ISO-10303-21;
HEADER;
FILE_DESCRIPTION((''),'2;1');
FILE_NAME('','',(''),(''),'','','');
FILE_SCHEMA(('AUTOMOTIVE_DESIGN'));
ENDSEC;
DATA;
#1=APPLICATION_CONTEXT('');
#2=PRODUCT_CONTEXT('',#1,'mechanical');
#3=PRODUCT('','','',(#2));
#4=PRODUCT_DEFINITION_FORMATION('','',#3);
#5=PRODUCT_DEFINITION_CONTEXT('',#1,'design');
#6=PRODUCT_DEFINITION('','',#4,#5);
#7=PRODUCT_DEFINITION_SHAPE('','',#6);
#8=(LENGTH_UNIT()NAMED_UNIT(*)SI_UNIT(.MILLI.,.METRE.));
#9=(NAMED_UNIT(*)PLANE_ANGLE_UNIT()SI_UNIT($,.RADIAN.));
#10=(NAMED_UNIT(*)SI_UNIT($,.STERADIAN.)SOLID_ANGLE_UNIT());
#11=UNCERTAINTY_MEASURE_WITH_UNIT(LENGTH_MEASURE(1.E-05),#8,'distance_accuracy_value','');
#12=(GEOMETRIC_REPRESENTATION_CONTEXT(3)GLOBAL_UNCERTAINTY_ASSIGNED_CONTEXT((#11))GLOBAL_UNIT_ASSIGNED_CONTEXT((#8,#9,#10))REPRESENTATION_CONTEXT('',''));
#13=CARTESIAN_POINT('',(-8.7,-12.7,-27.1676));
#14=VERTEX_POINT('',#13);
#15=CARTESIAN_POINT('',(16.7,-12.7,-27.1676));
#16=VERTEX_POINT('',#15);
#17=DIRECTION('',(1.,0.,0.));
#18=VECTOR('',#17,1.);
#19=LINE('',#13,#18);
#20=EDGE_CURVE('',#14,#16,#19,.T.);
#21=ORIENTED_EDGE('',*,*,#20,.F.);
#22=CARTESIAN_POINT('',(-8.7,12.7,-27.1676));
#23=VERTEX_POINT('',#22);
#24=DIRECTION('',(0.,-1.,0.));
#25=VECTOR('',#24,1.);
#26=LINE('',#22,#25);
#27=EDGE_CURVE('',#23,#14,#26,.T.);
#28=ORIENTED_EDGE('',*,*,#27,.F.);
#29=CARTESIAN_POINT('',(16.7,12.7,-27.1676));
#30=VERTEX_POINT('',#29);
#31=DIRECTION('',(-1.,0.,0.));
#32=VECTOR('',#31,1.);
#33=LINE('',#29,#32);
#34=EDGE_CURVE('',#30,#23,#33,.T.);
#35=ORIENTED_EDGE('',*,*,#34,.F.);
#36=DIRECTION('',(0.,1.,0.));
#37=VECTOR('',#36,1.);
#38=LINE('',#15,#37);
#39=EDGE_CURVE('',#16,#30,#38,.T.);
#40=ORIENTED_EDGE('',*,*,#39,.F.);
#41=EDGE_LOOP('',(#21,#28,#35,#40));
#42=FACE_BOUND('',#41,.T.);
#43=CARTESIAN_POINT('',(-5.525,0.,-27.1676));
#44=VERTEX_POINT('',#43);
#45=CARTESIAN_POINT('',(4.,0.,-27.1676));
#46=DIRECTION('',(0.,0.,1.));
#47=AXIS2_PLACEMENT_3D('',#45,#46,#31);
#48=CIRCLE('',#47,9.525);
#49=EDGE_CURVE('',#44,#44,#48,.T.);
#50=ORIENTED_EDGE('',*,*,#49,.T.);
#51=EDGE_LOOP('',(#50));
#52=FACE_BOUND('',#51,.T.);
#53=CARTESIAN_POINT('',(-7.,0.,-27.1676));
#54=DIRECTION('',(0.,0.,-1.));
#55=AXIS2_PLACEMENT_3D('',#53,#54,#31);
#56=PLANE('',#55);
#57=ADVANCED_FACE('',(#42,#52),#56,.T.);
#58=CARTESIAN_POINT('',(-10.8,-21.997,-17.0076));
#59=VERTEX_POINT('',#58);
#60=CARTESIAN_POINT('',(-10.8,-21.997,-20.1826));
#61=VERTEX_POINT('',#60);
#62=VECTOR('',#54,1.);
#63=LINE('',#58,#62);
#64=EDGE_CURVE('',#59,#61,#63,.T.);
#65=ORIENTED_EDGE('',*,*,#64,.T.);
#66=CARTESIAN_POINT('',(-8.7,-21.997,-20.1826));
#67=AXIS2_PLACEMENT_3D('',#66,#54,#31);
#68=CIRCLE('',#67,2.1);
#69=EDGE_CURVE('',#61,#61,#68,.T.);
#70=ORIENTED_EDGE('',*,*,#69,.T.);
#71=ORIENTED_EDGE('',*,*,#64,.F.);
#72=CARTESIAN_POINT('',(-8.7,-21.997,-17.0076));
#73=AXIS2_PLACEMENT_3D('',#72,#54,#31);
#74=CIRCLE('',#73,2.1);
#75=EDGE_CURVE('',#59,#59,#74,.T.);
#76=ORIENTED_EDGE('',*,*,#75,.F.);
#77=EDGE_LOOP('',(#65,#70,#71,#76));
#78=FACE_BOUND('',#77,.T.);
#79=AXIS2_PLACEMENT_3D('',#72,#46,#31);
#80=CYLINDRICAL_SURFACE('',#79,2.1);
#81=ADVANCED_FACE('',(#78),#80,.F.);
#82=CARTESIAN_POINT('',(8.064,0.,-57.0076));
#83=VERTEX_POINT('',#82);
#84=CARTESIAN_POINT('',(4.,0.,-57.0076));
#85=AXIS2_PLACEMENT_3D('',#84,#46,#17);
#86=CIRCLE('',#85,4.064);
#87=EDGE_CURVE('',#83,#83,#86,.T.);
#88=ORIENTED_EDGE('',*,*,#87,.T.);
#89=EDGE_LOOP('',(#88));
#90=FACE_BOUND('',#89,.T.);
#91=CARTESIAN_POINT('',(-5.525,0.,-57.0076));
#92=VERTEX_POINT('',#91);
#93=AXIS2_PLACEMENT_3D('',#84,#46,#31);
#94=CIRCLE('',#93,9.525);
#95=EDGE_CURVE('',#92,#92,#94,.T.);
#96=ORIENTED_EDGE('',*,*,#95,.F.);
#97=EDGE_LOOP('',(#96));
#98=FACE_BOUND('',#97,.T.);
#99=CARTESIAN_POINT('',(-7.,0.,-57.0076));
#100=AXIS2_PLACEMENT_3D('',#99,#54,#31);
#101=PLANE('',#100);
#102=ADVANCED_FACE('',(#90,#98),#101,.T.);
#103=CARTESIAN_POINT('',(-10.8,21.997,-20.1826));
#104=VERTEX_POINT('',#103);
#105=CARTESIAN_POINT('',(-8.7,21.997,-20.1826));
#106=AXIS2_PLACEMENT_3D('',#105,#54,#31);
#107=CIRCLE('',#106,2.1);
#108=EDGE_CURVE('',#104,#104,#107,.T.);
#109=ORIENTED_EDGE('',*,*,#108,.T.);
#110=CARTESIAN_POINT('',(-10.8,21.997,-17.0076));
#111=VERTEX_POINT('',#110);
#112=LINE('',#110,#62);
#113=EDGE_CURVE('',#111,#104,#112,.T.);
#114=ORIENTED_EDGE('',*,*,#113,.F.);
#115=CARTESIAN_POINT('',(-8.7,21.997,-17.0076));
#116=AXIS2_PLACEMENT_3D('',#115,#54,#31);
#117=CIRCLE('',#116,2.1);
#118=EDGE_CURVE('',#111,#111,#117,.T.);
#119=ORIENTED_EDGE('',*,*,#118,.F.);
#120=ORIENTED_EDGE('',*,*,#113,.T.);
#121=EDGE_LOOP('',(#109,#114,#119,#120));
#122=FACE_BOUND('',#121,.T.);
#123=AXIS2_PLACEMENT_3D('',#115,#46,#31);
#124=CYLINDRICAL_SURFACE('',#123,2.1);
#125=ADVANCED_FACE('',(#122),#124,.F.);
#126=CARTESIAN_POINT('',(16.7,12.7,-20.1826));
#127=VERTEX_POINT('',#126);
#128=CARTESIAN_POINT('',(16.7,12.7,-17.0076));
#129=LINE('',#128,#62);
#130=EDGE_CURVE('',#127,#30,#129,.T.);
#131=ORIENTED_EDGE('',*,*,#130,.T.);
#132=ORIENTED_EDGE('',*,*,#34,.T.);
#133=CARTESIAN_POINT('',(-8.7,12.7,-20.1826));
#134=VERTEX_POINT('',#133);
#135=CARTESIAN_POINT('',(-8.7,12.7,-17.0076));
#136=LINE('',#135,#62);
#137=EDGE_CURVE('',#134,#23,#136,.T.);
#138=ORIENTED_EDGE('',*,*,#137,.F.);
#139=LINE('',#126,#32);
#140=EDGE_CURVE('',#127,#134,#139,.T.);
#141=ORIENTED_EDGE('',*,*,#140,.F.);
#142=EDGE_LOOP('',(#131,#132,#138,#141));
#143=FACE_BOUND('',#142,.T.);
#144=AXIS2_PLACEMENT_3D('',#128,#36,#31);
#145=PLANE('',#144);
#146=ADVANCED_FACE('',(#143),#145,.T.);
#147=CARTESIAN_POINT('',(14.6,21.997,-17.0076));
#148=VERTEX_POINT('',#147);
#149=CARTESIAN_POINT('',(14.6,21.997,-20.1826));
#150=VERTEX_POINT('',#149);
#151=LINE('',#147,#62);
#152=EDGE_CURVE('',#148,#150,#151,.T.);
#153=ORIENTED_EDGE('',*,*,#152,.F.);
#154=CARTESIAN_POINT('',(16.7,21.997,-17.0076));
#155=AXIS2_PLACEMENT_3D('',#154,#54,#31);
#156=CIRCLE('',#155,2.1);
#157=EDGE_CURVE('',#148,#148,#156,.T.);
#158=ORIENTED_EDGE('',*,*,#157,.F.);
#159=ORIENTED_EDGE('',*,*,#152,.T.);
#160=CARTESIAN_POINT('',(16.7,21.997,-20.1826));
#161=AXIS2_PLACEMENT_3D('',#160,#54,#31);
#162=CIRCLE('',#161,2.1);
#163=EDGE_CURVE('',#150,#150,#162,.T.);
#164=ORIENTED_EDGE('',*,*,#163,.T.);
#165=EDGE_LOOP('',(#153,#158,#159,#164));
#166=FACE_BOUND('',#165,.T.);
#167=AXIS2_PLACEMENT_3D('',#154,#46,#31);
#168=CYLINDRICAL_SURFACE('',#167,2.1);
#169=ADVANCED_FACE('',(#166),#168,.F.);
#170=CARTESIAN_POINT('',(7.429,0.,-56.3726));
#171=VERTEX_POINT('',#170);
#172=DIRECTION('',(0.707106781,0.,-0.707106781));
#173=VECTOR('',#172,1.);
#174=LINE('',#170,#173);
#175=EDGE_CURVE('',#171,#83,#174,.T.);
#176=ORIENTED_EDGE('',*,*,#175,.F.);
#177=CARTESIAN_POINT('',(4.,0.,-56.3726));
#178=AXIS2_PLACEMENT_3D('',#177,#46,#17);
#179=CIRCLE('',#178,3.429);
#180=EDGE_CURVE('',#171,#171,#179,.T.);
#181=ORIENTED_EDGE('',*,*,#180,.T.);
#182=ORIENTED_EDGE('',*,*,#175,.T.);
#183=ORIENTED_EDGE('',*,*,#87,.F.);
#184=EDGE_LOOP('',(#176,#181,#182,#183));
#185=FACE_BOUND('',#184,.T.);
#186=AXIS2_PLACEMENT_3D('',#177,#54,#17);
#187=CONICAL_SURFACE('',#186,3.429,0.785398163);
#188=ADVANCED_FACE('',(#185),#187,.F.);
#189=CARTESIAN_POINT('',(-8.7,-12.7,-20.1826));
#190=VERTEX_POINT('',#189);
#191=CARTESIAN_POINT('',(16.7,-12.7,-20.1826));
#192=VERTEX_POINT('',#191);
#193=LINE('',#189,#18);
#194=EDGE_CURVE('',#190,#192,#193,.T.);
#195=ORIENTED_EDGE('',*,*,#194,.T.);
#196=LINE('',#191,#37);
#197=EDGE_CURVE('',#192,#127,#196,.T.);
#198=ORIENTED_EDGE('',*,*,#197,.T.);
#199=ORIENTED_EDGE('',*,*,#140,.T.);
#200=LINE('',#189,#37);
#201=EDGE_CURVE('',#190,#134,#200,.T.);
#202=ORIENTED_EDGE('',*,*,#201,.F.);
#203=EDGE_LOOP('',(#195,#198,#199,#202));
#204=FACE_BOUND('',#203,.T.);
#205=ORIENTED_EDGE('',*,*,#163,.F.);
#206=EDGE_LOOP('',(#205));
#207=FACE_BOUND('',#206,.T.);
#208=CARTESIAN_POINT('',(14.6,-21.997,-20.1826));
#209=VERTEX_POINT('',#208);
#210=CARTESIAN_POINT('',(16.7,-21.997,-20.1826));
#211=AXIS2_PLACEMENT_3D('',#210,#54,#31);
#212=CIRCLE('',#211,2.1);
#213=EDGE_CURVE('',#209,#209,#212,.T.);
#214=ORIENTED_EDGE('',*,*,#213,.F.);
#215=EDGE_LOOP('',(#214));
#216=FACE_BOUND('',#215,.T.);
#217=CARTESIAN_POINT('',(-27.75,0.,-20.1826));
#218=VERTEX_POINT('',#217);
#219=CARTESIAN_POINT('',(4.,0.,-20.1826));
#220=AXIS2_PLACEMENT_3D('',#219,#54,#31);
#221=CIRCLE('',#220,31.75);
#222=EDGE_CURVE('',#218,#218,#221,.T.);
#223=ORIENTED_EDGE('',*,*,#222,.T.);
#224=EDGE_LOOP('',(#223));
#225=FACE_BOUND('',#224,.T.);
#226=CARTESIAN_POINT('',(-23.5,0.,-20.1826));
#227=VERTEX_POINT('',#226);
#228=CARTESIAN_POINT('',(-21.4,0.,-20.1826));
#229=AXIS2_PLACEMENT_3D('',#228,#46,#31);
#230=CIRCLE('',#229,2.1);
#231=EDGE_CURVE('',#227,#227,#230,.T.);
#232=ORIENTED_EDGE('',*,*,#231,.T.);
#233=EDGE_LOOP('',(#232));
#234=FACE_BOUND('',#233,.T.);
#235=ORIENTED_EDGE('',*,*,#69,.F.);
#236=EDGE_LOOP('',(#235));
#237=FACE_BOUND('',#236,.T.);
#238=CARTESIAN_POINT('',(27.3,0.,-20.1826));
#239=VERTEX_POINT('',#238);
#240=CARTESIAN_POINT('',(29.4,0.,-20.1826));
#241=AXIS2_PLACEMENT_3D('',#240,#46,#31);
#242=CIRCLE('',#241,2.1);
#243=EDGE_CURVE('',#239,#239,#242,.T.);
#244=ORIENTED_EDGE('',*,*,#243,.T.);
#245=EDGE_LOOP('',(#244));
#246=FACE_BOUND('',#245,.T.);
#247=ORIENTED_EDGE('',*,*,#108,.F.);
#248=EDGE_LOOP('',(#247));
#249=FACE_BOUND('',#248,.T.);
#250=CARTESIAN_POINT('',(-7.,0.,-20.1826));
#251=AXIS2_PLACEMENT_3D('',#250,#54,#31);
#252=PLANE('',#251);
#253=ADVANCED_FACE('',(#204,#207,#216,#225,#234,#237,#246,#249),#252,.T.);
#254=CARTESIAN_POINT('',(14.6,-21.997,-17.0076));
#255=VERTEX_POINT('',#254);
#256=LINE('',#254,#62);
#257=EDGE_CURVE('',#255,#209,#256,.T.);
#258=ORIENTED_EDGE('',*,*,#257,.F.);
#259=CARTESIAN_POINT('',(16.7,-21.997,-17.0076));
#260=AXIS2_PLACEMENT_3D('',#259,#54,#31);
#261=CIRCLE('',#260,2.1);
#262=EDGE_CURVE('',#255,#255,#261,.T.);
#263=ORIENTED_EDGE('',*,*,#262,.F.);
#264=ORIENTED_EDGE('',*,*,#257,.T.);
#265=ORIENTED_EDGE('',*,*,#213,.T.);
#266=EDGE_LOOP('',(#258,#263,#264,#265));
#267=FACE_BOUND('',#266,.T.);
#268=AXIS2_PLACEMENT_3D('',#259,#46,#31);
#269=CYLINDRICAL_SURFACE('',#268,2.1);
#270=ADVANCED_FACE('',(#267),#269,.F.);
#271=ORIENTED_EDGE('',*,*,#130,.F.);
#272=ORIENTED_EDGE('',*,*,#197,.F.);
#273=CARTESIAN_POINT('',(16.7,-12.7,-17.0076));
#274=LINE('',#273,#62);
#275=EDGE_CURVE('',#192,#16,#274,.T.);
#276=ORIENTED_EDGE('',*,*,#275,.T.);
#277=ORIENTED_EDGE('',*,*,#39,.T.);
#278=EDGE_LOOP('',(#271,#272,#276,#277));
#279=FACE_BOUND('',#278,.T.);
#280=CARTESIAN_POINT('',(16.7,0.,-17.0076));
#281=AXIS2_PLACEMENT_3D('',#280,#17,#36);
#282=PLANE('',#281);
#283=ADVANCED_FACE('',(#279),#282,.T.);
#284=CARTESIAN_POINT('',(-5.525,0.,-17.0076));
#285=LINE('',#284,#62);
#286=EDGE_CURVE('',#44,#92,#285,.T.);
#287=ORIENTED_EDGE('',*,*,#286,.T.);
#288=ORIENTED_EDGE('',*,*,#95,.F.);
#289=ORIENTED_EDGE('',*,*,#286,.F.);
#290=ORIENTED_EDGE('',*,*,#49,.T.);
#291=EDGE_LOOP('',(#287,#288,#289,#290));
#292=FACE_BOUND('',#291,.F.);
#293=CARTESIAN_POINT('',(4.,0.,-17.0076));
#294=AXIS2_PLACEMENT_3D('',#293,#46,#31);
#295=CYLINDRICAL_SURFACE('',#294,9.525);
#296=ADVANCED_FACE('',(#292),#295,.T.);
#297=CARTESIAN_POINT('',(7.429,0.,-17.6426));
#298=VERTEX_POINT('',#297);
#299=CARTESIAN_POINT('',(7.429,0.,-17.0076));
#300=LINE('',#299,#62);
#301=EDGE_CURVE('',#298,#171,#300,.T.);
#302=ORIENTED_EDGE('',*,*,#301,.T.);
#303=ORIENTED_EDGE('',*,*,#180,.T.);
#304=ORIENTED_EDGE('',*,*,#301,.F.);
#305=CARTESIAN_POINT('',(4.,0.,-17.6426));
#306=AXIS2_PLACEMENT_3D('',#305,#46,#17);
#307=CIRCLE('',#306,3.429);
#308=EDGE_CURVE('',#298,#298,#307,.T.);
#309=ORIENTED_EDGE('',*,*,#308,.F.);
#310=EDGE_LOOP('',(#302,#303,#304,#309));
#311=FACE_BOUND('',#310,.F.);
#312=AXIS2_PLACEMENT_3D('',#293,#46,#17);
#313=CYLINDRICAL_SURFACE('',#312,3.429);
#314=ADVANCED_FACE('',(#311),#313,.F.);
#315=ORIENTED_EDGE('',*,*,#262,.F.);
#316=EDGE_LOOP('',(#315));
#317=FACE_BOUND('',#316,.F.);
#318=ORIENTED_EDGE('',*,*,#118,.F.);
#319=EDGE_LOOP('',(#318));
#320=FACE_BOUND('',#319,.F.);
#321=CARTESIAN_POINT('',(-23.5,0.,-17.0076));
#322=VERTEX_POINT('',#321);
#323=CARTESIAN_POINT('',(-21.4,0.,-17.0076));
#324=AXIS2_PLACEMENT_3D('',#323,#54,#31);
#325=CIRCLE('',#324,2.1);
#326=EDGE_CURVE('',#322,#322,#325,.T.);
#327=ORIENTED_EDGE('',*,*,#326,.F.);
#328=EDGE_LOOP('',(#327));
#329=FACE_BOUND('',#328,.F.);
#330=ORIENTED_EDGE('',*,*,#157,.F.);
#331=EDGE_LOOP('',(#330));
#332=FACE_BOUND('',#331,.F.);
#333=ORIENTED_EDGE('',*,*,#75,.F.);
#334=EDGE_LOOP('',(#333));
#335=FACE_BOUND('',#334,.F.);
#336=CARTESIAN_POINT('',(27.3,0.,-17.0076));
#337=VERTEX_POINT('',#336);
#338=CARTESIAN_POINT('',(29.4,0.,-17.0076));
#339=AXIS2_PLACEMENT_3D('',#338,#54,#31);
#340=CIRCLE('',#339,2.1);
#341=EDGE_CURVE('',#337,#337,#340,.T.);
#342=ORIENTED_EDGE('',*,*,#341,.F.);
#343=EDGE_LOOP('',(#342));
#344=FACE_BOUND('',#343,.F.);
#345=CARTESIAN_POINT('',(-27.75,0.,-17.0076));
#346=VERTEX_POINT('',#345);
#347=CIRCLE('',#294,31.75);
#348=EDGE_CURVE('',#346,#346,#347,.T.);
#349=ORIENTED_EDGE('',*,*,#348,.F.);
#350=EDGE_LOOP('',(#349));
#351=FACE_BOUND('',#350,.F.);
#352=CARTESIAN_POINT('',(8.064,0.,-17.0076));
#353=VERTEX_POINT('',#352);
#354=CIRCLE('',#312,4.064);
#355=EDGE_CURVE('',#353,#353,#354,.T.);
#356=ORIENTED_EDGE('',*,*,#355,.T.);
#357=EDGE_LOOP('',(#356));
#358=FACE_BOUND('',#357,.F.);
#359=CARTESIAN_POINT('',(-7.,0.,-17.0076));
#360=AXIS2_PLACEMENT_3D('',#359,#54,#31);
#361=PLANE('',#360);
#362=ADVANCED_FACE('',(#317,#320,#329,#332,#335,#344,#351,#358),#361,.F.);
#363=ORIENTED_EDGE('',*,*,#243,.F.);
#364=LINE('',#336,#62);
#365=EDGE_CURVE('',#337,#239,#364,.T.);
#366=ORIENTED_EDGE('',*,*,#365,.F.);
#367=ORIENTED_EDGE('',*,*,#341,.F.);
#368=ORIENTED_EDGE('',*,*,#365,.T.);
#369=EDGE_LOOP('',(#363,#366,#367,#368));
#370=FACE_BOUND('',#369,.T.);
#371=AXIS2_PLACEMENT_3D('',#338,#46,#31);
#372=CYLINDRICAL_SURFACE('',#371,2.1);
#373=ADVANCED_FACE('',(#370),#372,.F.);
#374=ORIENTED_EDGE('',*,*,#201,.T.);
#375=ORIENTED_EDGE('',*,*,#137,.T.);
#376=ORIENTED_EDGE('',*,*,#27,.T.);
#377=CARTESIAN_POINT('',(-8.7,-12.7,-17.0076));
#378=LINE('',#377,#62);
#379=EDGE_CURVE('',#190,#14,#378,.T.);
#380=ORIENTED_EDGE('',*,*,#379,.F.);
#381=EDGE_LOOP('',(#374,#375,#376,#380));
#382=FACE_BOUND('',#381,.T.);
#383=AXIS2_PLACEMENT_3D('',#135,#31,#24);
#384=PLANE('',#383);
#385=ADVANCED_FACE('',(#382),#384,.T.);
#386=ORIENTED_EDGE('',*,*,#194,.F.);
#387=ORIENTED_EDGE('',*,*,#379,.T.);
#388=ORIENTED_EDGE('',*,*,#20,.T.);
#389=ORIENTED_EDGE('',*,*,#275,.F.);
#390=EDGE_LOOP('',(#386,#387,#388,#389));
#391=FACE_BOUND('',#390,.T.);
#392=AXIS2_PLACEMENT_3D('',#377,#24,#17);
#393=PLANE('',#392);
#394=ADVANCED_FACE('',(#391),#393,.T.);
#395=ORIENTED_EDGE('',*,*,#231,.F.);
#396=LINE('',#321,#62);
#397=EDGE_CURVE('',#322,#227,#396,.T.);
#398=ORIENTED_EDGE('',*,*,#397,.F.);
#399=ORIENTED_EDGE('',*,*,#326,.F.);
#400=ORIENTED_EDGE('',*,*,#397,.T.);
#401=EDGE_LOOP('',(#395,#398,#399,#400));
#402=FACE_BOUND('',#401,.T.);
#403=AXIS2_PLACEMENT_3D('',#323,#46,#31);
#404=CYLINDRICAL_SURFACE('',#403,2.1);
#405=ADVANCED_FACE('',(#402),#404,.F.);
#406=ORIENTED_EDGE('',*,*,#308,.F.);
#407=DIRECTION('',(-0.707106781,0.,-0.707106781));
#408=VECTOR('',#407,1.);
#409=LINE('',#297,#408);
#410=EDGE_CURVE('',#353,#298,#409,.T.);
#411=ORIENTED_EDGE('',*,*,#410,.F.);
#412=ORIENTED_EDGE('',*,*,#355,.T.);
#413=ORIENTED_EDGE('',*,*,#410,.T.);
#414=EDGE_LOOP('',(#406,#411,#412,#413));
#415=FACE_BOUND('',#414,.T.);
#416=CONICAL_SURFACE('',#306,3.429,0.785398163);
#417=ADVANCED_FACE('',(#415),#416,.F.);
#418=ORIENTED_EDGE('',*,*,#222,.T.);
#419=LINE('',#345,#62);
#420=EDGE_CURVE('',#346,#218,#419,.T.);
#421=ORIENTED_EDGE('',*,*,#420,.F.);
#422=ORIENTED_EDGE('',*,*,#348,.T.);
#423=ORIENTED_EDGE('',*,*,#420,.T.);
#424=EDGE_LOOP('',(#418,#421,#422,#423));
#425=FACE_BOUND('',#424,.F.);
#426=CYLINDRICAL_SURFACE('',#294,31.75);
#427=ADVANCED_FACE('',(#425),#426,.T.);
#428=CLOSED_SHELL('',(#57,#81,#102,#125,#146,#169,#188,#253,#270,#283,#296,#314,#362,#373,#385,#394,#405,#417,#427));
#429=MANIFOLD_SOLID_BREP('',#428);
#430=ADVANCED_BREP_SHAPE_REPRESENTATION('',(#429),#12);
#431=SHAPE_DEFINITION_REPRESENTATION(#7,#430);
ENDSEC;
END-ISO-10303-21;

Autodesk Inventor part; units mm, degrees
ref_plane "YZ Plane" through (0, 0, 0) normal (1, 0, 0) x (0, 1, 0)
ref_plane "XZ Plane" through (0, 0, 0) normal (0, 1, 0) x (-1, 0, 0)
ref_plane "XY Plane" through (0, 0, 0) normal (0, 0, 1) x (1, 0, 0)
sketch "Sketch1" plane through (0, 0, 0) normal (0, 0, 1) x (1, 0, 0)
  circle A0 centre (4, 0) radius 4 projected
  circle A1 centre (4, 0) radius 3.175 projected
  circle A2 centre (4, 0) radius 3.9492
  circle A3 centre (4, 0) radius 3.2512
  point P0 (0, 0)
  dimension "d0" = 0.0508
  dimension "d1" = 0.0762
extrude "Extrusion1" add sketch "Sketch1" along normal blind 15 and the other way blind 57.0076 contours A2
ref_plane "Work Plane1" through (-7, 0, -17.0076) normal (0, 0, -1) x (-1, 0, 0)
sketch "Sketch2" plane through (-7, 0, -17.0076) normal (0, 0, -1) x (-1, 0, 0)
  circle A0 centre (-11, 0) radius 3.9492 projected
  line L0 (-11, 0) -> (126.5, 0)
  line L1 (-11, 0) -> (-561, 0)
  circle A1 centre (-561, 0) radius 12.7
  circle A2 centre (-11, 0) radius 31.75
  line L2 (35.9, 0) -> (-573.7, 0)
  circle A3 centre (-36.4, 0) radius 2.1
  circle A4 centre (-23.7, -21.997) radius 2.1
  circle A5 centre (1.7, -21.997) radius 2.1
  circle A6 centre (14.4, 0) radius 2.1
  circle A7 centre (1.7, 21.997) radius 2.1
  circle A8 centre (-23.7, 21.997) radius 2.1
  line L3 (1.7, -12.7) -> (-23.7, -12.7)
  line L4 (-23.7, -12.7) -> (-23.7, 12.7)
  line L5 (-23.7, 12.7) -> (1.7, 12.7)
  line L6 (1.7, 12.7) -> (1.7, -12.7)
  line L7 (1.7, -12.7) -> (-23.7, 12.7) construction
  line L8 (-23.7, -12.7) -> (1.7, 12.7) construction
  circle A9 centre (-11, 0) radius 9.525
  point P0 (-7, 0)
  dimension "d8" = 25.4
  dimension "d6" = 137.5
  dimension "d7" = 550
  dimension "d9" = 63.5
  dimension "d10" = 609.6
  dimension "d11" = 4.2
  dimension "d12" = 25.4
  dimension "d15" = 360
  dimension "d17" = 25.4
  dimension "d18" = 25.4
  dimension "d19" = 19.05
extrude "Extrusion2" add sketch "Sketch2" along normal blind 40 contours L0 L1 A0 | L0 A9 L1 A0 | A0 L1 L0 | A0 L1 A9 L0
extrude "Extrusion3" add sketch "Sketch2" along normal blind 10.16 contours L0 L1 A0 | L0 A9 L1 A0 | A0 L1 L0 | A0 L1 A9 L0 | A9 L1 L4 L5 L6 L0 | L0 L6 L3 L4 L1 A9
extrude "Extrusion4" add sketch "Sketch2" along normal blind 3.175 contours L6 L5 L4 L1 A3 A2 L0 A6 | L0 A6 A2 L1 A3 L4 L3 L6
sketch "Sketch3" plane through (4, 0, 15) normal (0, 0, 1) x (1, 0, 0)
  line L0 (8.0047, -6.9197) -> (-11.6012, -6.9197)
  line L1 (-11.6012, -6.9197) -> (-11.6012, 5.9412)
  line L2 (-11.6012, 5.9412) -> (8.0047, 5.9412)
  line L3 (8.0047, 5.9412) -> (8.0047, -6.9197)
  point P0 (-4, 0)
extrude "Extrusion5" cut sketch "Sketch3" against normal blind 32.0076
sketch "Sketch4" plane through (4, 0, -17.0076) normal (0, 0, 1) x (1, 0, 0)
  circle A0 centre (0, 0) radius 3.175 projected
  circle A1 centre (0, 0) radius 3.429
  point P0 (-4, 0)
  dimension "d31" = 0.254
extrude "Extrusion6" cut sketch "Sketch4" against normal blind 40 contours A0 | A1
chamfer "Chamfer2" distance 0.635 angle 45 2 edges at (0.571, 0, -17.0076) (0.571, 0, -57.0076)
properties part number "ArmPivot"
